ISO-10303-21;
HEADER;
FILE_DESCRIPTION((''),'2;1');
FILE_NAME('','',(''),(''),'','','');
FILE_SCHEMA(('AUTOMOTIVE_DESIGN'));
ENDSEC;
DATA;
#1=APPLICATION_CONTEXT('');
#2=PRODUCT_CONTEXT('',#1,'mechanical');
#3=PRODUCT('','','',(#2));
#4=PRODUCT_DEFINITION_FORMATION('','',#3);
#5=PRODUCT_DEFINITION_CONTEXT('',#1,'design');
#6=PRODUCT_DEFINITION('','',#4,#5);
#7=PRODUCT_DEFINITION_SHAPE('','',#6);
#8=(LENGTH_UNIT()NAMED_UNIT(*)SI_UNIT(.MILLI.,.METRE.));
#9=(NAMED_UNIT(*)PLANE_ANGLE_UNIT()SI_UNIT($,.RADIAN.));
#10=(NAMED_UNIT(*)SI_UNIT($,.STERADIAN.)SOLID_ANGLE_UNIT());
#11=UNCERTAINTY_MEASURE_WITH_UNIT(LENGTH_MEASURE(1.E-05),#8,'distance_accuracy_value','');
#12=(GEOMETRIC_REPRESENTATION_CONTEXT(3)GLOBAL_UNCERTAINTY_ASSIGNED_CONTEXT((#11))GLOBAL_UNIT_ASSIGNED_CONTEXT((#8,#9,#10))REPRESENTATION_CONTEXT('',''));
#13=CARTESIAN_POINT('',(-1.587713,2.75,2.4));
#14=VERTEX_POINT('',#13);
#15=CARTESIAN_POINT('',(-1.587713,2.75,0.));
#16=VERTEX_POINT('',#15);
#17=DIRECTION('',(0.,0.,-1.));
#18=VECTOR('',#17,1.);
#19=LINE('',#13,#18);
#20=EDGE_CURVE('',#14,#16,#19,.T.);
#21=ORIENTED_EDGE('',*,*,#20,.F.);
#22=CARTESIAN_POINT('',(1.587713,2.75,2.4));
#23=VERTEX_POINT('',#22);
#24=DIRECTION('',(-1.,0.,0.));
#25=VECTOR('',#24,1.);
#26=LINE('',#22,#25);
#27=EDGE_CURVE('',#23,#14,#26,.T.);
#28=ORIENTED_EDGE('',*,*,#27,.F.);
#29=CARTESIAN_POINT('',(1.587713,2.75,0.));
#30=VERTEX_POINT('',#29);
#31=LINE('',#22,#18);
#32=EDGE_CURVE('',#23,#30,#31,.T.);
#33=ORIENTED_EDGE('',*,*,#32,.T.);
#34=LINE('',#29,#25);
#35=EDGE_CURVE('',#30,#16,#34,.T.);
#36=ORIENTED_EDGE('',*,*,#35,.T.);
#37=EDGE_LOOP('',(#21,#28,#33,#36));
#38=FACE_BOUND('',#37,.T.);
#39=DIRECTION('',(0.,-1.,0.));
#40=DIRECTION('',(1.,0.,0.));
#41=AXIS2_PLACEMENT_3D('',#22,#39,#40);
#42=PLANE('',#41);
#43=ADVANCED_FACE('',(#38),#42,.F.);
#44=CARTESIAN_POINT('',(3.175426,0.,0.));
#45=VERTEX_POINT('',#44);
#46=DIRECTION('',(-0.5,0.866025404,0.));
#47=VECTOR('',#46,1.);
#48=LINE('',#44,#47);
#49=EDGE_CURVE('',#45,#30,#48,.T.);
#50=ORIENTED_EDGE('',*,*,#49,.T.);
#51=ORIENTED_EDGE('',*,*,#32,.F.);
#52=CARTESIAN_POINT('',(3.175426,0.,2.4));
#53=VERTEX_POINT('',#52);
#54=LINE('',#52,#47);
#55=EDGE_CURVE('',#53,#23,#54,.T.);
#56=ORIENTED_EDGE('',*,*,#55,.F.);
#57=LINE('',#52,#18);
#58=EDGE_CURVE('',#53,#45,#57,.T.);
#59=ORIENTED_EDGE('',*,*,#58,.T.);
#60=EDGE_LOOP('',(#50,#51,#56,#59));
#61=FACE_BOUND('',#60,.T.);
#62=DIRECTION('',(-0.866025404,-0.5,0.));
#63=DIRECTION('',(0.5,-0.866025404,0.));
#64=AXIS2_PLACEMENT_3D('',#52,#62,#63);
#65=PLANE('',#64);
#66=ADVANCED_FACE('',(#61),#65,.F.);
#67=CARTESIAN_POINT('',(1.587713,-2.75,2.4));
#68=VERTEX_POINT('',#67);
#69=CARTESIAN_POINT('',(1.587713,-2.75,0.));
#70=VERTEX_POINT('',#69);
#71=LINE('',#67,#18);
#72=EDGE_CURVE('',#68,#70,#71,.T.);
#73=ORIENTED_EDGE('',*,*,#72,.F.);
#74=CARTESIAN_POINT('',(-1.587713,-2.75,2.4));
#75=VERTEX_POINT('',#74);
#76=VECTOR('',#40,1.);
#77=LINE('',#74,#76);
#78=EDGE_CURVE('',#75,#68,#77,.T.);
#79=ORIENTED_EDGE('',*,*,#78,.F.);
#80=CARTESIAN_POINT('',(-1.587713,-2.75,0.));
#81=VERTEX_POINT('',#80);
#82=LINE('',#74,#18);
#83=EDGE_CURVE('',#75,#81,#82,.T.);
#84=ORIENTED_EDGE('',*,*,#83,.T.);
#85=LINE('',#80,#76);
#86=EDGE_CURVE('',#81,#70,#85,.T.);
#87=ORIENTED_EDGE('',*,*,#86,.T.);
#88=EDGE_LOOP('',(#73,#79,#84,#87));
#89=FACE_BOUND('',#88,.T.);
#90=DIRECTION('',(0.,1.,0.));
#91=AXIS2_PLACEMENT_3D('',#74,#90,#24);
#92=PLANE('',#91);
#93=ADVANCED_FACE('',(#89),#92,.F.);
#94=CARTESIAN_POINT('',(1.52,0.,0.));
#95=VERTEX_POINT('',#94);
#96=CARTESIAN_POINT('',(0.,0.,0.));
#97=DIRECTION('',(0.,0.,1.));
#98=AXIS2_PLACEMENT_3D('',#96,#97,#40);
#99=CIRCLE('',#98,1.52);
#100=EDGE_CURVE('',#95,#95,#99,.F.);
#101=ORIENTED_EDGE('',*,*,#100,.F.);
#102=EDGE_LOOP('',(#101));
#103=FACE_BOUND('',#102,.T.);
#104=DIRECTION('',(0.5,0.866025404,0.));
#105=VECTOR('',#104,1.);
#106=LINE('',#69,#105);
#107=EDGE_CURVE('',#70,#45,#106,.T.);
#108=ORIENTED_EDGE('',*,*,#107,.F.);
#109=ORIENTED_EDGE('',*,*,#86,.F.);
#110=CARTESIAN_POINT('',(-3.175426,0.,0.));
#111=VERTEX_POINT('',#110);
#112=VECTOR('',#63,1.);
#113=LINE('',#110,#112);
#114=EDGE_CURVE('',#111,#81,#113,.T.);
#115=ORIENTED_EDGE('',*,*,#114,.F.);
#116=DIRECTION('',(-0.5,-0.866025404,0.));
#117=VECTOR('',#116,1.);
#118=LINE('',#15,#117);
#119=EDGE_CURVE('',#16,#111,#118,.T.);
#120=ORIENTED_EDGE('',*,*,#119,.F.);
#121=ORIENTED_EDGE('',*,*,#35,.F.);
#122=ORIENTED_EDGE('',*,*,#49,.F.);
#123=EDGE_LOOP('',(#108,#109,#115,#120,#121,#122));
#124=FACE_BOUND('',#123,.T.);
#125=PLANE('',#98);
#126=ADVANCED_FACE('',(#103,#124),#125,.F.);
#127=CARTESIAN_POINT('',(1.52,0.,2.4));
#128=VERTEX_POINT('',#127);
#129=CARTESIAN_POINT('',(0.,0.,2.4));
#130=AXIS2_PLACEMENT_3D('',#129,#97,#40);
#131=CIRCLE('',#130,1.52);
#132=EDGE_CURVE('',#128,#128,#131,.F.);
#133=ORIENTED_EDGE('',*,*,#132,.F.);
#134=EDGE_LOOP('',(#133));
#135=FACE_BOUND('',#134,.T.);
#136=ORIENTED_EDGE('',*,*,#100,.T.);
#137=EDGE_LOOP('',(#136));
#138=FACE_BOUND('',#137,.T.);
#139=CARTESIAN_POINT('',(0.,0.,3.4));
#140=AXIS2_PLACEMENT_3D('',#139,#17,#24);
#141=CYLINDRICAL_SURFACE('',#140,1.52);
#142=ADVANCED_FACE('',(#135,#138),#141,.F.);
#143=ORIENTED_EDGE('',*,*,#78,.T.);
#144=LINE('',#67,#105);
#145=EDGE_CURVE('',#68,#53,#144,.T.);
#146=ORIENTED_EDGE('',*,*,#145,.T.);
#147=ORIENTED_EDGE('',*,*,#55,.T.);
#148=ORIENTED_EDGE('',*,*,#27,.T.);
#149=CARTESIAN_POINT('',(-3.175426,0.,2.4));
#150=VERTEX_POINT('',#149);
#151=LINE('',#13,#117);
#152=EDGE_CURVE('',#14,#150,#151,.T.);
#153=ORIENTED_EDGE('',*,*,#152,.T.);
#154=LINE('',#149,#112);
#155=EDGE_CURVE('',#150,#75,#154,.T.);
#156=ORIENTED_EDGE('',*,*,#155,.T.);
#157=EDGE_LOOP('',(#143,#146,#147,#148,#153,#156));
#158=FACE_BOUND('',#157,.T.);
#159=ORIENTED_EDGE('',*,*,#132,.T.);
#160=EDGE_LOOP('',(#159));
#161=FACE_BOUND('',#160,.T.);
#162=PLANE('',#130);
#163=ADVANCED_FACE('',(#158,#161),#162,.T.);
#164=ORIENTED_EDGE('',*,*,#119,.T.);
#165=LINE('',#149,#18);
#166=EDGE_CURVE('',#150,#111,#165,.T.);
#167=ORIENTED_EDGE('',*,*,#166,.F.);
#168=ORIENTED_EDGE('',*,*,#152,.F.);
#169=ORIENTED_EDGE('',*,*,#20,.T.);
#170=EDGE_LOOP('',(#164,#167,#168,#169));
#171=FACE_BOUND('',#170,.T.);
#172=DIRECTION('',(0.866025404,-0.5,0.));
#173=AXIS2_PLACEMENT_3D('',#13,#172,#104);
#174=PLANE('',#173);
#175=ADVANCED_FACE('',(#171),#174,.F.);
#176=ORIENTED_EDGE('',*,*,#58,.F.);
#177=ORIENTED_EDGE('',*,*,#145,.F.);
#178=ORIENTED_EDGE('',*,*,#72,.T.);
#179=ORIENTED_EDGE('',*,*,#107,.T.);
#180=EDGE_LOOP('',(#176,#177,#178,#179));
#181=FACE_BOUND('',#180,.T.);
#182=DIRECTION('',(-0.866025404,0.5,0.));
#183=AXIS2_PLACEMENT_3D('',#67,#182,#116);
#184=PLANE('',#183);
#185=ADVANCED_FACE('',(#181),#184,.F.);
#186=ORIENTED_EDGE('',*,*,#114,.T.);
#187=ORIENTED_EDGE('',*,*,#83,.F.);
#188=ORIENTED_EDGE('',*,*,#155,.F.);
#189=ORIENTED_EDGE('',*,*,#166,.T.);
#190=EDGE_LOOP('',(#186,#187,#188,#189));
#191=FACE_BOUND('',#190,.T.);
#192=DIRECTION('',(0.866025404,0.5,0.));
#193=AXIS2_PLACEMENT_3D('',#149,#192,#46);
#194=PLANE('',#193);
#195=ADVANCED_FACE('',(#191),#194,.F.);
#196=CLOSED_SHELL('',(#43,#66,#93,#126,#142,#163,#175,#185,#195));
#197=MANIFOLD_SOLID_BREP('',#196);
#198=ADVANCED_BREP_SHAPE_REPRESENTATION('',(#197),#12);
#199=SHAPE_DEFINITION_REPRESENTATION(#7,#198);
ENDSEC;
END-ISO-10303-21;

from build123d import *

# Parameters (mm, degrees)
HEX_BLANK_DEPTH                  = 2.4
NOMINAL_THREAD_ENVELOPE_START    = -1
SKETCH_NOMINAL_THREAD_ENVELOPE_R = 1.52
NOMINAL_THREAD_ENVELOPE_DEPTH    = 4.4


with BuildPart() as part:
    # Sketch_Hex_blank → Hex_blank (new body)
    with BuildSketch(Plane.XY):
        Polygon((3.175426481, 0), (1.58771324, 2.75), (-1.58771324, 2.75), (-3.175426481, 0), (-1.58771324, -2.75), (1.58771324, -2.75), align=None)
    extrude(amount=HEX_BLANK_DEPTH)

    # Sketch_Nominal_thread_envelope → Nominal_thread_envelope (cut)
    with BuildSketch(Plane.XY.offset(NOMINAL_THREAD_ENVELOPE_START)):
        Circle(SKETCH_NOMINAL_THREAD_ENVELOPE_R)
    extrude(amount=NOMINAL_THREAD_ENVELOPE_DEPTH, mode=Mode.SUBTRACT)


solid = part.part
